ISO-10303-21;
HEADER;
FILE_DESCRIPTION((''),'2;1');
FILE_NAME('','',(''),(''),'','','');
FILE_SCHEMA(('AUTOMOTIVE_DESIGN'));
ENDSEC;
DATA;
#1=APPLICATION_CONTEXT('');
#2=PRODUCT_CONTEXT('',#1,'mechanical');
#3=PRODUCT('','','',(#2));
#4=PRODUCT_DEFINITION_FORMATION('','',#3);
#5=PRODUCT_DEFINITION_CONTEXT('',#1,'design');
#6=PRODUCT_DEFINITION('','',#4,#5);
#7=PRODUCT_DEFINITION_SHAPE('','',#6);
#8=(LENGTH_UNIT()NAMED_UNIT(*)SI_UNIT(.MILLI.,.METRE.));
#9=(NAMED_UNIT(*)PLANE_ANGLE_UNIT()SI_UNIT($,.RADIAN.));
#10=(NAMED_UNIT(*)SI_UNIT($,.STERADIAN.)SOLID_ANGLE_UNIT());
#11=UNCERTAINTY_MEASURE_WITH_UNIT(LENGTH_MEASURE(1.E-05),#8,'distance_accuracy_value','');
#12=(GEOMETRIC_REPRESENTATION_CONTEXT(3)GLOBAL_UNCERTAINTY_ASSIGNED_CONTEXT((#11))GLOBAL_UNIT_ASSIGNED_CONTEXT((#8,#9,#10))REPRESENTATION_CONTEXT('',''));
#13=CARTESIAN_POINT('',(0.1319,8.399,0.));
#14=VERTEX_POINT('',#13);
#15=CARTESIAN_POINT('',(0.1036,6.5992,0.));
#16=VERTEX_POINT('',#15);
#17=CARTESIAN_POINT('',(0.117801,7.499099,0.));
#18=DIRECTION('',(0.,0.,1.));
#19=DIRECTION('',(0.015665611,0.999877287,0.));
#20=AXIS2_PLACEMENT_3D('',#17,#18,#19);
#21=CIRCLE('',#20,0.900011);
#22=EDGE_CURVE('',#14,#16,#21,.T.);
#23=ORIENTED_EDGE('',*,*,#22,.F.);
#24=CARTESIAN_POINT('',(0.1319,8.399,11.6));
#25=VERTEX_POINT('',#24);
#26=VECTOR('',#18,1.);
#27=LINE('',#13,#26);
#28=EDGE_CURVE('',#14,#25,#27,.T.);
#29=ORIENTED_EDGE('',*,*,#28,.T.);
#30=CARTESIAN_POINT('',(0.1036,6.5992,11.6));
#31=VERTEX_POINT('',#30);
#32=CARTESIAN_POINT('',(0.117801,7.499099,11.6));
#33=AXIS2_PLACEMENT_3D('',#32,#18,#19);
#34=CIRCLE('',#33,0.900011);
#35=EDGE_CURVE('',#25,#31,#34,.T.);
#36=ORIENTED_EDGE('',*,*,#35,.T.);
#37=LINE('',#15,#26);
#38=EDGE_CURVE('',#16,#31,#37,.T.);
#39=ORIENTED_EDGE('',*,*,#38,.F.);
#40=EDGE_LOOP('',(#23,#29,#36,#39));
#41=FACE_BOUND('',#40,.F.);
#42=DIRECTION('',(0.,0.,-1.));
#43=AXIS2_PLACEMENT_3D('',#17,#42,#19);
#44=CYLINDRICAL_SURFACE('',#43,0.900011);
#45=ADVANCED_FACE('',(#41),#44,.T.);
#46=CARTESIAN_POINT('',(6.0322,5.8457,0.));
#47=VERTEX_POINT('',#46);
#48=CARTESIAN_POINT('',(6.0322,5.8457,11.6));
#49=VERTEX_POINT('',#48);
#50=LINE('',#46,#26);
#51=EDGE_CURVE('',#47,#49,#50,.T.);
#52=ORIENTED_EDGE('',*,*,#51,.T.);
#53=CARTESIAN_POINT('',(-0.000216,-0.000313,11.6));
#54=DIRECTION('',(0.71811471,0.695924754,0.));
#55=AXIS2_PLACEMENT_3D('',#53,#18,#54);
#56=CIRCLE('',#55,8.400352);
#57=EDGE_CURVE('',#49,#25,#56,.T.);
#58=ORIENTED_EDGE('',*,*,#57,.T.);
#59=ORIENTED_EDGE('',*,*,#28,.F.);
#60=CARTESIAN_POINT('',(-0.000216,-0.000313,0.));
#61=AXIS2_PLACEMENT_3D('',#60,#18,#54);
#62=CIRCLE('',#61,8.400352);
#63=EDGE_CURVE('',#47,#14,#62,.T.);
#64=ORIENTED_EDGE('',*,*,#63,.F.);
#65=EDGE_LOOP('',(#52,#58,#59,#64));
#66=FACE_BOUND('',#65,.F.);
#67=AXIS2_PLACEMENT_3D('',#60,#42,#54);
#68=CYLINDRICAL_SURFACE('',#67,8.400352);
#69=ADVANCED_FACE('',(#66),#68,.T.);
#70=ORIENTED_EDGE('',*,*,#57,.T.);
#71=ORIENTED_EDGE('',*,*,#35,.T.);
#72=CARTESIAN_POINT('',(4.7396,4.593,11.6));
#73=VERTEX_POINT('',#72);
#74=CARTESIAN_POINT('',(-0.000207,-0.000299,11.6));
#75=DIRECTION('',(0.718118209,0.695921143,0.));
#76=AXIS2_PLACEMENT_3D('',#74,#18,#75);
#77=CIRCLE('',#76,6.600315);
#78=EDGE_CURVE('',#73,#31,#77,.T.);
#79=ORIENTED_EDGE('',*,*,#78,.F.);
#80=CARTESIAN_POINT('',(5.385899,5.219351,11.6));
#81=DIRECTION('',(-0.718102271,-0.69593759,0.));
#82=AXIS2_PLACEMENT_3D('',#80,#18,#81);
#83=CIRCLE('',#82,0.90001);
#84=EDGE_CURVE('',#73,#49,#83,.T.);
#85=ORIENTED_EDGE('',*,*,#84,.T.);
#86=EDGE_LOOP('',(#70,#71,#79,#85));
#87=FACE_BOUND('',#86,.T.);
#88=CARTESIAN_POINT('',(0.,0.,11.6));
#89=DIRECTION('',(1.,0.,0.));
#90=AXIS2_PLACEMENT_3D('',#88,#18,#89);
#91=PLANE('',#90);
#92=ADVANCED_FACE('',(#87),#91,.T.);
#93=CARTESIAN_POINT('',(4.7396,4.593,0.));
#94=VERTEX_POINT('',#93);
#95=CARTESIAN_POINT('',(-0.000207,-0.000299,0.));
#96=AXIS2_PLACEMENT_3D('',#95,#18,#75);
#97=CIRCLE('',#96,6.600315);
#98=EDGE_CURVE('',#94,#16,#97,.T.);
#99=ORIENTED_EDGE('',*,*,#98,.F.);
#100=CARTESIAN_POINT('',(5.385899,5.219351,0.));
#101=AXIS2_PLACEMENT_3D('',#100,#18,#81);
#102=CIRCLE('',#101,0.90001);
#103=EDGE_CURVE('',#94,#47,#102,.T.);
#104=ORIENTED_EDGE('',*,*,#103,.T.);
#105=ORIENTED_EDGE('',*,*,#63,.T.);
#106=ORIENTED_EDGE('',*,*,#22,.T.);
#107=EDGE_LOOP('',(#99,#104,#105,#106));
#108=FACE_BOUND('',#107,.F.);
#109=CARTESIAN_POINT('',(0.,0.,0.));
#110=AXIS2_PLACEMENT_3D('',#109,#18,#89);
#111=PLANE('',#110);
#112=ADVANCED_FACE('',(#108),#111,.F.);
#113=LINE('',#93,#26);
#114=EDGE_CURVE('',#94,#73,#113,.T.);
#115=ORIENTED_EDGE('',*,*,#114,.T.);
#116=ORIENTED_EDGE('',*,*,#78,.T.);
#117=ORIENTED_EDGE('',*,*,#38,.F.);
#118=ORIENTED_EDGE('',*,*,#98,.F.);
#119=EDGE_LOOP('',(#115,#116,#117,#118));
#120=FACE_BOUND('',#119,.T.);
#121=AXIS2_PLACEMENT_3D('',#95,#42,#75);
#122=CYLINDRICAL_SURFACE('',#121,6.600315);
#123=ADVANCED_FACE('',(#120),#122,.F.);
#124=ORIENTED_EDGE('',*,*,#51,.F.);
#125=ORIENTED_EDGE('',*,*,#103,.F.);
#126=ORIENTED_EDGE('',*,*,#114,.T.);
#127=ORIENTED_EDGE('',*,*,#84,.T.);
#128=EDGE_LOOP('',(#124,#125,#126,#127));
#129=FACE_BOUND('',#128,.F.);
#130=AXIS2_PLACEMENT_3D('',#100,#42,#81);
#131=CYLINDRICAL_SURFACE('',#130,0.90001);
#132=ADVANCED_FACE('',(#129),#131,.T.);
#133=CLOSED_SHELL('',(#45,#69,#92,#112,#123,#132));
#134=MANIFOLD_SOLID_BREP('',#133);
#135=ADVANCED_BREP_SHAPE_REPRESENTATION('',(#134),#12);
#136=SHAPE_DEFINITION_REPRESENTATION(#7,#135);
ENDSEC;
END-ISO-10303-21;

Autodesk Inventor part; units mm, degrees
ref_plane "YZ Plane" through (0, 0, 0) normal (1, 0, 0) x (0, 1, 0)
ref_plane "XZ Plane" through (0, 0, 0) normal (0, 1, 0) x (-1, 0, 0)
ref_plane "XY Plane" through (0, 0, 0) normal (0, 0, 1) x (1, 0, 0)
sketch "Sketch1" plane through (0, 0, 0) normal (0, 0, 1) x (1, 0, 0)
  arc A0 (-6.0322, -5.8457) -> (-0.1319, -8.399) centre (0, 0) ccw projected
  arc A1 (-0.1319, -8.399) -> (-0.1036, -6.5992) centre (-0.1178, -7.4991) ccw projected
  arc A2 (-4.7396, -4.593) -> (-0.1036, -6.5992) centre (0, 0) ccw projected
  arc A3 (-4.7396, -4.593) -> (-6.0322, -5.8457) centre (-5.3859, -5.2194) ccw projected
  arc A4 (5.8457, -6.0322) -> (8.399, -0.1319) centre (0, 0) ccw projected
  arc A5 (8.399, -0.1319) -> (6.5992, -0.1036) centre (7.4991, -0.1178) ccw projected
  arc A6 (4.593, -4.7396) -> (6.5992, -0.1036) centre (0, 0) ccw projected
  arc A7 (4.593, -4.7396) -> (5.8457, -6.0322) centre (5.2194, -5.3859) ccw projected
  arc A8 (6.0322, 5.8457) -> (0.1319, 8.399) centre (0, 0) ccw projected
  arc A9 (0.1319, 8.399) -> (0.1036, 6.5992) centre (0.1178, 7.4991) ccw projected
  arc A10 (4.7396, 4.593) -> (0.1036, 6.5992) centre (0, 0) ccw projected
  arc A11 (4.7396, 4.593) -> (6.0322, 5.8457) centre (5.3859, 5.2194) ccw projected
  arc A12 (-5.8457, 6.0322) -> (-8.399, 0.1319) centre (0, 0) ccw projected
  arc A13 (-8.399, 0.1319) -> (-6.5992, 0.1036) centre (-7.4991, 0.1178) ccw projected
  arc A14 (-4.593, 4.7396) -> (-6.5992, 0.1036) centre (0, 0) ccw projected
  arc A15 (-4.593, 4.7396) -> (-5.8457, 6.0322) centre (-5.2194, 5.3859) ccw projected
  circle A16 centre (0, 0) radius 9 projected
  circle A17 centre (0, 0) radius 6 projected
  point P0 (0, 0)
extrude "Extrusion1" add sketch "Sketch1" along normal blind 11.6 contours A11 A10 A9 A8
equation "\"Fit_Loose\" = 0.4"
properties part number "Clutch_Pin"
